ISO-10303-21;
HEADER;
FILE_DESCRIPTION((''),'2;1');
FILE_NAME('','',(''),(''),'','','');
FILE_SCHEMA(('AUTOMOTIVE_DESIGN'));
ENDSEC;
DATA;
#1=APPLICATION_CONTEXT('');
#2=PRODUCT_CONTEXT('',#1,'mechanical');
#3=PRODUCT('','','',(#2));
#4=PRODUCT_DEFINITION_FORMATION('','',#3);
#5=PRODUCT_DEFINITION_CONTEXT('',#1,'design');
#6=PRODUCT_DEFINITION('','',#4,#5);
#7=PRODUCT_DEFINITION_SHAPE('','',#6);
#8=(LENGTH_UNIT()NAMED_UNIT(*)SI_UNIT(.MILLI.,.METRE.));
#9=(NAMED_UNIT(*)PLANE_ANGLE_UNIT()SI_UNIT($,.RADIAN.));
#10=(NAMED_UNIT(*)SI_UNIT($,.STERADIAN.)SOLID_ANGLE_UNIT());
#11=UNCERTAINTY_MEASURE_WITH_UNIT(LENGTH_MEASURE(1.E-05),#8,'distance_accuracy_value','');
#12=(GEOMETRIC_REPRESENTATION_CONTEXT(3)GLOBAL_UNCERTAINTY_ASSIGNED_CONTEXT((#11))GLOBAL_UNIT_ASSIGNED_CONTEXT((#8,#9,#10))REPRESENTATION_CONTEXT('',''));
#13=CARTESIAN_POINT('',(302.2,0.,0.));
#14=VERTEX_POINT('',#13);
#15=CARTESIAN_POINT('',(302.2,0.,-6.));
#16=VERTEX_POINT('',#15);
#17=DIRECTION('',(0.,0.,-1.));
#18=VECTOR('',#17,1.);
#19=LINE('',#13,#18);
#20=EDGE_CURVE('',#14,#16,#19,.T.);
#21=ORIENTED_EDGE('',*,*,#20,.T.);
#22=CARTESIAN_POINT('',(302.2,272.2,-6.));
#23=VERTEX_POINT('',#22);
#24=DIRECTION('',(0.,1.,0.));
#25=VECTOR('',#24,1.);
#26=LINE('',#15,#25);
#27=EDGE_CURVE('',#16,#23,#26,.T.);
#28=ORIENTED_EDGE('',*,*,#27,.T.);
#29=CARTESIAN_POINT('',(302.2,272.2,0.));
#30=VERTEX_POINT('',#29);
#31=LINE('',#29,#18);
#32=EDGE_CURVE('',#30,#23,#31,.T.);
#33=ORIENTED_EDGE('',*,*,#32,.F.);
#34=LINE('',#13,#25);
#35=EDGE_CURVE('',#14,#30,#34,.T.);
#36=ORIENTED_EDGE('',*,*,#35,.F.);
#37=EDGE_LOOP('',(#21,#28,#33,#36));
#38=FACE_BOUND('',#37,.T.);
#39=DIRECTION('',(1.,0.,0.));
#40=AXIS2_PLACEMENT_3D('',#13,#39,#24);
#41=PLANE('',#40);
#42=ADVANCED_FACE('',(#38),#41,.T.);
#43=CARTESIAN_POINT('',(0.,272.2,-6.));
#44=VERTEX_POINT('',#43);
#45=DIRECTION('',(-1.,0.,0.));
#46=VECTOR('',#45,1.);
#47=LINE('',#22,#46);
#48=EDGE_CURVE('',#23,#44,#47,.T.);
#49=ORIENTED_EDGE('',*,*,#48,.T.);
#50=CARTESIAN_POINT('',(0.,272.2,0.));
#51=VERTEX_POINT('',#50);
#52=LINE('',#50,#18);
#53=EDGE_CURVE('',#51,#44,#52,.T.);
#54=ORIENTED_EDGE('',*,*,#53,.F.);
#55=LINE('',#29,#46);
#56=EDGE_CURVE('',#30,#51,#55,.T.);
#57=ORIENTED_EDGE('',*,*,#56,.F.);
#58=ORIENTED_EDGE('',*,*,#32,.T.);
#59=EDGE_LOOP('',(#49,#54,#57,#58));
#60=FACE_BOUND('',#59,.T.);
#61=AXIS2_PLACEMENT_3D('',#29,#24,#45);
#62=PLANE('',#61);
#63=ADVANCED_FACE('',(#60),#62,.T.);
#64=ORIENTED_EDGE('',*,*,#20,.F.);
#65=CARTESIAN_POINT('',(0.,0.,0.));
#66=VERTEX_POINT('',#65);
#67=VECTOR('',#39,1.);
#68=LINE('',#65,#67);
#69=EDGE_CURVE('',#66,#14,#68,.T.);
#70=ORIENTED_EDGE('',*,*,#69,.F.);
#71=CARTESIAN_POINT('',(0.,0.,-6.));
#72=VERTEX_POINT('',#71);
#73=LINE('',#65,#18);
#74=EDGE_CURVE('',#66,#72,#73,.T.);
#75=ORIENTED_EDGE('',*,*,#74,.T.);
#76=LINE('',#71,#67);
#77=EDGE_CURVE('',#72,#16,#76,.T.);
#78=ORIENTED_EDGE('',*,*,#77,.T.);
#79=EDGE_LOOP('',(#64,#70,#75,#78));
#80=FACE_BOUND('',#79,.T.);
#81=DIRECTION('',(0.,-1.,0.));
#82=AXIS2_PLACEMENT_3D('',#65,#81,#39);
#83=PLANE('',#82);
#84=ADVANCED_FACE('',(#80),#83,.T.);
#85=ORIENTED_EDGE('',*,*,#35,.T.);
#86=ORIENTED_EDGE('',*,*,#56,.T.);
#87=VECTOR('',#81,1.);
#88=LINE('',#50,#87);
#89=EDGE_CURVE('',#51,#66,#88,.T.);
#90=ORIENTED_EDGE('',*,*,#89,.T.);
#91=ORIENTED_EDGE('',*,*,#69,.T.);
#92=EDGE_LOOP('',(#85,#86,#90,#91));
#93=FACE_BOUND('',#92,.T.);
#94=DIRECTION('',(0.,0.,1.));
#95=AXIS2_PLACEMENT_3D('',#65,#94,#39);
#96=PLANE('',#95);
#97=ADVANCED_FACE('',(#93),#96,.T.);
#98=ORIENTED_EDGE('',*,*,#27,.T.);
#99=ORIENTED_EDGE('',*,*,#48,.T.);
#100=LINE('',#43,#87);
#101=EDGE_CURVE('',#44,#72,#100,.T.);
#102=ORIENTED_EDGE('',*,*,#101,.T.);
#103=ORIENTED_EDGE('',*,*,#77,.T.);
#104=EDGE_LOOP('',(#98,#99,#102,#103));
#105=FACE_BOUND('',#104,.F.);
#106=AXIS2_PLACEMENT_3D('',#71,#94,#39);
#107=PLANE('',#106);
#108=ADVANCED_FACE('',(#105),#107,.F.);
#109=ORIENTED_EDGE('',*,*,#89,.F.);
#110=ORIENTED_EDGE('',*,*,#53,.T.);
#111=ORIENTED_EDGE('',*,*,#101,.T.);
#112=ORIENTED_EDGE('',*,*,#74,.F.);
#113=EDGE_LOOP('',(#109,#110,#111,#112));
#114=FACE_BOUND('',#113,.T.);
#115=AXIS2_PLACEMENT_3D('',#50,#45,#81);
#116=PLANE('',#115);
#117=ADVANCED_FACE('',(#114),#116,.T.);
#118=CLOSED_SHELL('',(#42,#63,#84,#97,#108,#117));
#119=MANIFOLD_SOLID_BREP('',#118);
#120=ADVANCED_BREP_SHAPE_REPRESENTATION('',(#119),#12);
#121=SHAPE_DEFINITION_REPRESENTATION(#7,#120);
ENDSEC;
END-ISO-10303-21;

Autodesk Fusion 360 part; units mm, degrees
sketch "Sketch1" plane through (0, 0, 0) normal (0, 0, 1) x (1, 0, 0)
  line L0 (0, 0) -> (302.2, 0)
  line L1 (302.2, 0) -> (302.2, 272.2)
  line L2 (302.2, 272.2) -> (0, 272.2)
  line L3 (0, 272.2) -> (0, 0)
  dimension "d1" = 302.2
  dimension "d2" = 272.2
extrude "Extrude1" add sketch "Sketch1" against normal blind 6
